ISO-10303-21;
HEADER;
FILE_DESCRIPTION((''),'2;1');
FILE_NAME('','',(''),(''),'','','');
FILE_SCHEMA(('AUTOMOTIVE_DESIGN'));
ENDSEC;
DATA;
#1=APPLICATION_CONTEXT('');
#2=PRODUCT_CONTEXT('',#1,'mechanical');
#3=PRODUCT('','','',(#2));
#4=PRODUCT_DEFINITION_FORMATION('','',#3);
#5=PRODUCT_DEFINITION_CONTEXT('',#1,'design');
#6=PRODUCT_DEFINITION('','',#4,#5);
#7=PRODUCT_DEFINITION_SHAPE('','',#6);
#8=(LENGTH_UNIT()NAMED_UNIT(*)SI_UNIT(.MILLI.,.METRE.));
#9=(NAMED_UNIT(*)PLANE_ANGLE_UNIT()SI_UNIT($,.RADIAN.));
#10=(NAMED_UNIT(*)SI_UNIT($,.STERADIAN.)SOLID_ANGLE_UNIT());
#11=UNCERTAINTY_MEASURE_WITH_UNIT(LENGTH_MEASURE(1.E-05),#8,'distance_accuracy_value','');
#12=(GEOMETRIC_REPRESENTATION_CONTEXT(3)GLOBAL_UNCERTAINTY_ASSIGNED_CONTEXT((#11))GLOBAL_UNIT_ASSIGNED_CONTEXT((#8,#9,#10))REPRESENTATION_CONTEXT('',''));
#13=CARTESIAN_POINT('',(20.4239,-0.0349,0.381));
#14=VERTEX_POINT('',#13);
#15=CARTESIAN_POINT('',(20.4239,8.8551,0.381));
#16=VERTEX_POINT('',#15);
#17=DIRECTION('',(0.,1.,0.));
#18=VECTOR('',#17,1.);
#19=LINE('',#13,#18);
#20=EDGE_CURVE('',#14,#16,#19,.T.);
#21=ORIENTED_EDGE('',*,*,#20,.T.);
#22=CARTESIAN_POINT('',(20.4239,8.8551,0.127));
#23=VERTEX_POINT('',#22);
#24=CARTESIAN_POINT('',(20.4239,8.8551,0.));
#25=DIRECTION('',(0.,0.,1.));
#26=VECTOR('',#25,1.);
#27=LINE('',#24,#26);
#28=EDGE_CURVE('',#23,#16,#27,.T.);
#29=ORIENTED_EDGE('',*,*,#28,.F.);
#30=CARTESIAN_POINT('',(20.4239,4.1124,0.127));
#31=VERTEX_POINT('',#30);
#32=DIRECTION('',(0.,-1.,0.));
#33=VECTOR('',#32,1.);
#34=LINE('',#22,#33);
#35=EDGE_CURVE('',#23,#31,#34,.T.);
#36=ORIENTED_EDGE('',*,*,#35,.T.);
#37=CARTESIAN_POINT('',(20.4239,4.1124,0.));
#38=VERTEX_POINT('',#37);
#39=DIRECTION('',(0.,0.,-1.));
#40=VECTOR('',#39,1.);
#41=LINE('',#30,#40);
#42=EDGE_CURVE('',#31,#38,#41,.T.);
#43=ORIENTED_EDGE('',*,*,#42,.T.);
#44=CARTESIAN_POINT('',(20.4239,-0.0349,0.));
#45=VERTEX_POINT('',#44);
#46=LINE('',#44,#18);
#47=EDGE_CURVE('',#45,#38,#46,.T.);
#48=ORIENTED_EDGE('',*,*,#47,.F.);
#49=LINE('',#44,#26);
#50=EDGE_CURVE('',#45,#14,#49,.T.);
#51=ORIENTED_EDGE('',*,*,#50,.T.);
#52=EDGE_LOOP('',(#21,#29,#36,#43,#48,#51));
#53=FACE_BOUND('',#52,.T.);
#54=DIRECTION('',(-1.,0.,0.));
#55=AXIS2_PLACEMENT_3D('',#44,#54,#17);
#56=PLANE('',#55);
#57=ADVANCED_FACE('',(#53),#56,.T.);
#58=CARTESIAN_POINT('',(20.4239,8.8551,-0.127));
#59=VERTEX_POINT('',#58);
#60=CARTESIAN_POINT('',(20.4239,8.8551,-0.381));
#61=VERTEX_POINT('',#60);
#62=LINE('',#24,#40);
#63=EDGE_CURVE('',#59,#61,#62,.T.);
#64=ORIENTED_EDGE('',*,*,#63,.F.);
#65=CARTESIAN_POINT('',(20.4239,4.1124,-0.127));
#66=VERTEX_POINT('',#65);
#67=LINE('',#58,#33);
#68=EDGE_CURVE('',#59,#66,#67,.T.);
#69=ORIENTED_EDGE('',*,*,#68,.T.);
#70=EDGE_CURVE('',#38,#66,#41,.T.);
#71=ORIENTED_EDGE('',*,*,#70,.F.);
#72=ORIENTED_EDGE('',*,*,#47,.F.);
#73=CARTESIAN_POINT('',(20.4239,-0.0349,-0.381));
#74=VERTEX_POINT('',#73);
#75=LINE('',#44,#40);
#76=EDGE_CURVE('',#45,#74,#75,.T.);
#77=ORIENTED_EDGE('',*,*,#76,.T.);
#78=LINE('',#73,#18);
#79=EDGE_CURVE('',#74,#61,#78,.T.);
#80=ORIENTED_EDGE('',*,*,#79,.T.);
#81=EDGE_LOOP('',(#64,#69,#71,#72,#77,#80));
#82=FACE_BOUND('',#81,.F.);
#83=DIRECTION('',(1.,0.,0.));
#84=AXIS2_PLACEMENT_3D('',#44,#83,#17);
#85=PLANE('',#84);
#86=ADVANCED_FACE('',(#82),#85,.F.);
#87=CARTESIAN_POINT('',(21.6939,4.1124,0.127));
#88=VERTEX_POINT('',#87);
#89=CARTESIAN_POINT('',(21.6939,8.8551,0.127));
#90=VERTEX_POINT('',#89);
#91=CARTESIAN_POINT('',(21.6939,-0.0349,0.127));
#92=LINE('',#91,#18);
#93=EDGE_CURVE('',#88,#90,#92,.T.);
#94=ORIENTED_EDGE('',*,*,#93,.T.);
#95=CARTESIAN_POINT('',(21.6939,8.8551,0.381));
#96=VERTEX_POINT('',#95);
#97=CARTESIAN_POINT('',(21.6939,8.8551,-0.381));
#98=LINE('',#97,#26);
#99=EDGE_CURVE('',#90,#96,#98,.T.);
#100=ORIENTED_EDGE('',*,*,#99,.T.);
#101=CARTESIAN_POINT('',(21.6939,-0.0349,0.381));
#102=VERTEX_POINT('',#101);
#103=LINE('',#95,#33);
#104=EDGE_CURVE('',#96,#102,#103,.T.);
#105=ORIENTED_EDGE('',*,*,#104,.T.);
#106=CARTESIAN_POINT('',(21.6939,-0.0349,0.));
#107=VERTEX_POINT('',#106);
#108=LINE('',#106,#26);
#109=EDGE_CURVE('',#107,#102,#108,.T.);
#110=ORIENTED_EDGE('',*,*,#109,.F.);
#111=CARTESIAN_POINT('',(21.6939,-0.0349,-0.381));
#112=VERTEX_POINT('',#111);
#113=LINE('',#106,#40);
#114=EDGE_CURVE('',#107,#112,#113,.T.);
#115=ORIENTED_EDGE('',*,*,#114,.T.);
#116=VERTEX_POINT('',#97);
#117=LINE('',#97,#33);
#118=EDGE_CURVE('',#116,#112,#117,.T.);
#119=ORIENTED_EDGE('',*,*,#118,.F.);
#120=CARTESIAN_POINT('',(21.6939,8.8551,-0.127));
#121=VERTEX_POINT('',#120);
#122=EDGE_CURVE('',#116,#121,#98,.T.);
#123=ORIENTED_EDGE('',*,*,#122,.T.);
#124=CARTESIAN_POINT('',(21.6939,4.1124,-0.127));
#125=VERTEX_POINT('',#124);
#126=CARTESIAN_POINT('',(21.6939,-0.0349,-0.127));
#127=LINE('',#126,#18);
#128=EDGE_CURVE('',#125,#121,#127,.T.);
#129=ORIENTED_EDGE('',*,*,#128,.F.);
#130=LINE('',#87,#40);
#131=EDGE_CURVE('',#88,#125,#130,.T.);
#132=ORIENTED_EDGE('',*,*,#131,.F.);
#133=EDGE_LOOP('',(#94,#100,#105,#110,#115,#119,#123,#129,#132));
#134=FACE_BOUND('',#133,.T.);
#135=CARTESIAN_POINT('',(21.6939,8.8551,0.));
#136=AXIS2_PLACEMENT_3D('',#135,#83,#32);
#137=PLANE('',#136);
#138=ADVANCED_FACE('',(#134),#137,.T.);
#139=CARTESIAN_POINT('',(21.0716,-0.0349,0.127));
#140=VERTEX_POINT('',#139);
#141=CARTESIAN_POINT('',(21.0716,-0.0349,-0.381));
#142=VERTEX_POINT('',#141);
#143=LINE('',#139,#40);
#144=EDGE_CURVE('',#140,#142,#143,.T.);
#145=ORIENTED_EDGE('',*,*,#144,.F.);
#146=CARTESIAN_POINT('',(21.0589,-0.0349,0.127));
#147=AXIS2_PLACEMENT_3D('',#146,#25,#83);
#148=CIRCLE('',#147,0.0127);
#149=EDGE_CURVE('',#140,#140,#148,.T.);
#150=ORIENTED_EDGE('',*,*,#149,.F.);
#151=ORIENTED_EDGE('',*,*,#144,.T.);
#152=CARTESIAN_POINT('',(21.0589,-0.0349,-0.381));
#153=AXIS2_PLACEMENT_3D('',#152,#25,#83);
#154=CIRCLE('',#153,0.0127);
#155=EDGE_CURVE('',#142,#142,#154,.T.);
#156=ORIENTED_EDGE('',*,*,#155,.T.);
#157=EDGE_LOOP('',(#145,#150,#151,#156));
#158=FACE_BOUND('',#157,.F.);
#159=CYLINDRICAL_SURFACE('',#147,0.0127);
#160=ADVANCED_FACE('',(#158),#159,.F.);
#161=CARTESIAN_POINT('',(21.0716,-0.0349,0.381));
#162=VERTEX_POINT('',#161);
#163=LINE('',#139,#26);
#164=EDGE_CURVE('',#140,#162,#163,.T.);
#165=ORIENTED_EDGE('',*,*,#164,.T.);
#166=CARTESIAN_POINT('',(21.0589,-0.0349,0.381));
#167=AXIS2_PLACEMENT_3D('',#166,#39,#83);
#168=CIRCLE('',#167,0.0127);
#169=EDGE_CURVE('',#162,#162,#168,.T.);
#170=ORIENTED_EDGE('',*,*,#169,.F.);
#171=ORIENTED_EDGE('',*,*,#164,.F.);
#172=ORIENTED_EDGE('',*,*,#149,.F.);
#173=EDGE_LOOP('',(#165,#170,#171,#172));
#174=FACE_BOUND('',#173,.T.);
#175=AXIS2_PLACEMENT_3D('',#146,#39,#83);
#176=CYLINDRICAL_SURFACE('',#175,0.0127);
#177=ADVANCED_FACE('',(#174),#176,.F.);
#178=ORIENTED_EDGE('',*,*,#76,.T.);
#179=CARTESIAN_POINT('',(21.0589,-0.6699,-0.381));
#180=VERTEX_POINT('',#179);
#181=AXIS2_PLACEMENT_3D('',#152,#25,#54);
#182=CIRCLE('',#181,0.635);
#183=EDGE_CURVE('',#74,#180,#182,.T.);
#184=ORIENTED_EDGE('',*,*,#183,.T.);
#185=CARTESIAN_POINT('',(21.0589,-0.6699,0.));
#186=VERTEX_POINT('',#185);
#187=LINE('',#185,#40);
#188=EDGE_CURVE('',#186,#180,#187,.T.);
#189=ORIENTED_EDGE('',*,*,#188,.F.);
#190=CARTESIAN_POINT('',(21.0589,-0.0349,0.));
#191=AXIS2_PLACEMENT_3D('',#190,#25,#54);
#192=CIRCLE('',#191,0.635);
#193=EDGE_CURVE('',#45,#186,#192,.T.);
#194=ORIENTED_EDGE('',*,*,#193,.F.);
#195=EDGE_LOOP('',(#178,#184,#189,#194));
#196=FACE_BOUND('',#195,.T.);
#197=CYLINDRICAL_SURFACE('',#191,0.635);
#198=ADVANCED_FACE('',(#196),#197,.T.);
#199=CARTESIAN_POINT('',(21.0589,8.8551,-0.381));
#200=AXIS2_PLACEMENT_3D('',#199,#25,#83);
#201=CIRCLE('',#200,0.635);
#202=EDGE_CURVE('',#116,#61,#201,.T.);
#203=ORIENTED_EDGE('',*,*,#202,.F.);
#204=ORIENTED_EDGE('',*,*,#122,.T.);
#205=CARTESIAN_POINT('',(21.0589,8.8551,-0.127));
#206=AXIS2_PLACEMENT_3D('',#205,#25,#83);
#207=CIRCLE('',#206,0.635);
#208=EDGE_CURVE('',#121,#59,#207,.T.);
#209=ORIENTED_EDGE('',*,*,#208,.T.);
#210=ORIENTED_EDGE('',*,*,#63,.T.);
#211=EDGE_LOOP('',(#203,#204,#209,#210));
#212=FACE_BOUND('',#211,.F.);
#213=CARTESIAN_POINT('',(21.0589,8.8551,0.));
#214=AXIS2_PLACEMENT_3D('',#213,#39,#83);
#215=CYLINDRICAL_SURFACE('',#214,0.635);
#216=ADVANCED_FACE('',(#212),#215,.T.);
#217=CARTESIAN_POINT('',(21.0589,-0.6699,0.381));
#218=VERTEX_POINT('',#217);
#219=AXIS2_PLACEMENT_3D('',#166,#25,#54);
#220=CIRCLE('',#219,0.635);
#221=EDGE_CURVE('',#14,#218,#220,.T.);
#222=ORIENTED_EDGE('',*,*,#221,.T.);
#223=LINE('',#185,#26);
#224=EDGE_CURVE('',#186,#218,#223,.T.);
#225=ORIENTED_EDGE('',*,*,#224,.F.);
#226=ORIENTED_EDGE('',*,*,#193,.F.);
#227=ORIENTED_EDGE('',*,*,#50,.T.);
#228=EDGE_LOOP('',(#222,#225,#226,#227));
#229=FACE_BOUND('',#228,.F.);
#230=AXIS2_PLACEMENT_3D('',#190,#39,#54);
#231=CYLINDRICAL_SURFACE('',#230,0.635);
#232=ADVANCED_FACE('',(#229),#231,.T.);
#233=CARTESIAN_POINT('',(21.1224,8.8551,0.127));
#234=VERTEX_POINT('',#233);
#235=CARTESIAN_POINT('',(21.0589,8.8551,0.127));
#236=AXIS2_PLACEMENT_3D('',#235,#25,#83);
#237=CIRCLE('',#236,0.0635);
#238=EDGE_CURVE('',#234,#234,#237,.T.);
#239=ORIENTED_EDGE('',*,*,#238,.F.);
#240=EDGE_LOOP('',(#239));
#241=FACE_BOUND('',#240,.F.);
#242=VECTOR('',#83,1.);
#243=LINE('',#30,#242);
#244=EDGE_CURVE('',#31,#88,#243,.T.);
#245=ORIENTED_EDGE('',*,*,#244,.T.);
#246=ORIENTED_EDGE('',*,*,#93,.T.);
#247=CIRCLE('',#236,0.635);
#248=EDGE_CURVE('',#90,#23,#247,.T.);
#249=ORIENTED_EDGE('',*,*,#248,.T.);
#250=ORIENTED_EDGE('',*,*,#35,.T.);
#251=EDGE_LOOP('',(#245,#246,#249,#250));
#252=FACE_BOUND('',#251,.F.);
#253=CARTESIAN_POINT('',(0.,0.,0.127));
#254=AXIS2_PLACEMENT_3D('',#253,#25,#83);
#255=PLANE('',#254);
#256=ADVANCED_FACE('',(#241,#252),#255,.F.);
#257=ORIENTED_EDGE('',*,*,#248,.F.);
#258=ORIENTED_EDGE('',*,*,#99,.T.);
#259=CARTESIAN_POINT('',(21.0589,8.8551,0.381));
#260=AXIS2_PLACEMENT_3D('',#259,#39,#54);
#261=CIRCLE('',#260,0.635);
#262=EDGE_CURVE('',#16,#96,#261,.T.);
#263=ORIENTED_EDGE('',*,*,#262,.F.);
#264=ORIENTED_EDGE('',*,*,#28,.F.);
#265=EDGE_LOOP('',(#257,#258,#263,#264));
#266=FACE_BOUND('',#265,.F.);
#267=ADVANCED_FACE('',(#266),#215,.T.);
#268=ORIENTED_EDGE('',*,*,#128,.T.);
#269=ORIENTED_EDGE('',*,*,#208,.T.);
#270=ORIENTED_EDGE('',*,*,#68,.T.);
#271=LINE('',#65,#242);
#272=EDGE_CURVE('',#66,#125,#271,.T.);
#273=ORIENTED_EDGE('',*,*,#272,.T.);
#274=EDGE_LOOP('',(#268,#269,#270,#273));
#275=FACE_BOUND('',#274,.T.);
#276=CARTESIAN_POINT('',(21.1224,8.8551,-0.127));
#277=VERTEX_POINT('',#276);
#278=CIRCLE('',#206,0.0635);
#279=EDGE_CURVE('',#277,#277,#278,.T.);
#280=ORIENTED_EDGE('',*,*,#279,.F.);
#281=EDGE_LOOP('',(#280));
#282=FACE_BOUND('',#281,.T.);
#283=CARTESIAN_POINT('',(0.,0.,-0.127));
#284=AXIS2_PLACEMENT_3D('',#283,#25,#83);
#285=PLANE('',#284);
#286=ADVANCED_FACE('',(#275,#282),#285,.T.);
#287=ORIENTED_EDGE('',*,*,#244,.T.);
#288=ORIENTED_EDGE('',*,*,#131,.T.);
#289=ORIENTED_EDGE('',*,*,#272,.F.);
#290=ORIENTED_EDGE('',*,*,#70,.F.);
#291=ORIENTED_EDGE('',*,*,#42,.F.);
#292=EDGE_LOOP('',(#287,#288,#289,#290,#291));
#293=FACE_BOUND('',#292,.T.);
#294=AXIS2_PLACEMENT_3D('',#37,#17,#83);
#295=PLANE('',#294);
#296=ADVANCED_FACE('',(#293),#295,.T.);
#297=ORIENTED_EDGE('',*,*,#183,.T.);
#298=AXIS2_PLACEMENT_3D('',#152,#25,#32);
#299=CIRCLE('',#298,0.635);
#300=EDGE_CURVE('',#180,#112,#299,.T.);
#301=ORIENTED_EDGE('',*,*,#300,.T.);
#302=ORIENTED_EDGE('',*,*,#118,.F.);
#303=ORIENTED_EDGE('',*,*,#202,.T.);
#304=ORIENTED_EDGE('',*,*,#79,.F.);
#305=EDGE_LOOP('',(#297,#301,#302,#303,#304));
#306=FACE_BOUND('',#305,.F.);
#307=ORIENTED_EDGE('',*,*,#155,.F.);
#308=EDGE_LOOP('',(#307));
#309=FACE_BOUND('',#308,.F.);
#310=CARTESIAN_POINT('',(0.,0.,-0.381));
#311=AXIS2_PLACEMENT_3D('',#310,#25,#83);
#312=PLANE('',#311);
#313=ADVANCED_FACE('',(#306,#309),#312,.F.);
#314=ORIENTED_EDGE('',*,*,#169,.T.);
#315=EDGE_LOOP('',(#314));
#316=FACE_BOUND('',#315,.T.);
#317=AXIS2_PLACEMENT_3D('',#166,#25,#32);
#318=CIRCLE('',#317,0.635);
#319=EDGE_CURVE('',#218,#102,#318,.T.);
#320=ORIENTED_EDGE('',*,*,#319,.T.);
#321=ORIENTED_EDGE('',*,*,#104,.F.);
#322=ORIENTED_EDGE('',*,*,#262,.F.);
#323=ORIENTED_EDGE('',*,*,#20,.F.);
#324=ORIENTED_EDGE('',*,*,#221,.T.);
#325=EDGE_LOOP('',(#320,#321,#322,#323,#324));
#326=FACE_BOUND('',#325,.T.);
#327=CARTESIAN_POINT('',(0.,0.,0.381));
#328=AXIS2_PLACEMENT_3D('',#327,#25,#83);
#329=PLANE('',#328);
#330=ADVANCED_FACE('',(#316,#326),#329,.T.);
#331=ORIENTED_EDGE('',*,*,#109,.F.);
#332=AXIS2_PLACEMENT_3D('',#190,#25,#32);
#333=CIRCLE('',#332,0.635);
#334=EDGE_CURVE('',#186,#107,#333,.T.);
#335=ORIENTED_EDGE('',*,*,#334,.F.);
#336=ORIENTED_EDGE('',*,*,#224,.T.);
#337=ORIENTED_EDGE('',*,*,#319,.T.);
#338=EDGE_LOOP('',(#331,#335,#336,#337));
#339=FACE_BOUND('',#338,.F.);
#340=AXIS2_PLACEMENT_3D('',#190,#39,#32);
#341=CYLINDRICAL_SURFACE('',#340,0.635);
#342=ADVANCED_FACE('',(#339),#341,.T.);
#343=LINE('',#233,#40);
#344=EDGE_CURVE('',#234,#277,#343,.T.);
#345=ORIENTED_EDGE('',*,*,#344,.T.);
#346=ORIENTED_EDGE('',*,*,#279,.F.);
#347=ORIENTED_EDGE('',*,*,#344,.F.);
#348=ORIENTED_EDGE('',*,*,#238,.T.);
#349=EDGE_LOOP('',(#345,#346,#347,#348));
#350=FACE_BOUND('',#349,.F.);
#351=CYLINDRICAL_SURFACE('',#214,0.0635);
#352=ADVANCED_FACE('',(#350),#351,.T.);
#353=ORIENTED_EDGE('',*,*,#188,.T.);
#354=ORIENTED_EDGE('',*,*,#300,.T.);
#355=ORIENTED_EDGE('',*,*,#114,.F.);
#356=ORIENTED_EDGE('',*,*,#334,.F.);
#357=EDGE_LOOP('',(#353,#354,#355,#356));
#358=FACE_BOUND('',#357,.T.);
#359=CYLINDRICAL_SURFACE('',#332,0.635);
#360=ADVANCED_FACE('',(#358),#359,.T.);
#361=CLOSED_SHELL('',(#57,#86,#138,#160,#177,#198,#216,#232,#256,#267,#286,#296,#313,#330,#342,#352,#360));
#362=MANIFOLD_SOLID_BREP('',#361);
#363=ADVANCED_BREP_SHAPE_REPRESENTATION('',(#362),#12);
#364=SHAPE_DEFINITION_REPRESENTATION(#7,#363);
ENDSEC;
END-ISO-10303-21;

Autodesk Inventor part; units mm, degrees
ref_plane "YZ Plane" through (0, 0, 0) normal (1, 0, 0) x (0, 1, 0)
ref_plane "XZ Plane" through (0, 0, 0) normal (0, 1, 0) x (-1, 0, 0)
sketch "Sketch1" plane through (0, 0, 0) normal (0, 0, 1) x (1, 0, 0)
  line L0 (21.0589, 9.4901) -> (21.0589, 9.4901)
  line L1 (21.6939, 8.8551) -> (21.6939, -0.0349)
  line L2 (21.0589, -0.6699) -> (21.0589, -0.6699)
  line L3 (20.4239, -0.0349) -> (20.4239, 8.8551)
  arc A0 (21.0589, 9.4901) -> (20.4239, 8.8551) centre (21.0589, 8.8551) ccw
  arc A1 (21.6939, 8.8551) -> (21.0589, 9.4901) centre (21.0589, 8.8551) ccw
  arc A2 (21.0589, -0.6699) -> (21.6939, -0.0349) centre (21.0589, -0.0349) ccw
  arc A3 (20.4239, -0.0349) -> (21.0589, -0.6699) centre (21.0589, -0.0349) ccw
  point P0 (0, 0)
  point P1 (21.6939, -0.6699)
  point P2 (21.6939, 9.4901)
  point P3 (20.4239, -0.6699)
  dimension "d0" = 1.27
  dimension "d1" = 10.16
  dimension "d2" = 0.635
extrude "Extrusion1" add sketch "Sketch1" along normal mid plane 0.762
sketch "Sketch2" plane through (0, 0, 0) normal (0, 0, 1) x (1, 0, 0)
  arc A0 (21.6939, 8.8551) -> (20.4239, 8.8551) centre (21.0589, 8.8551) ccw projected
  line L0 (20.4239, 8.8551) -> (20.4239, -0.0349) projected
  line L1 (21.6939, -0.0349) -> (21.6939, 8.8551) projected
  circle A1 centre (21.0589, 8.8551) radius 0.0635
  arc A2 (21.6939, 8.8551) -> (20.4239, 8.8551) centre (21.0589, 8.8551) ccw
  line L2 (20.4239, 4.1124) -> (21.6939, 4.1124)
  line L3 (21.6939, 8.8551) -> (21.6939, -0.0349) projected
  point P0 (0, 0)
  point P1 (20.4239, 8.8551)
  dimension "d5" = 0.127
extrude "Extrusion2" cut sketch "Sketch2" along normal mid plane 0.254
ref_plane "Work Plane1" through (0, 0, 0.127) normal (0, 0, 1) x (1, 0, 0)
sketch "Sketch4" plane through (0, 0, 0.127) normal (0, 0, 1) x (1, 0, 0)
  arc A0 (20.4239, -0.0349) -> (21.6939, -0.0349) centre (21.0589, -0.0349) ccw projected
  circle A1 centre (21.0589, -0.0349) radius 0.0127
  point P0 (0, 0)
  dimension "d11" = 0.0254
extrude "Extrusion4" cut sketch "Sketch4" along normal mid plane 1.8415
properties part number "body parts" material "PVC-Piping"
